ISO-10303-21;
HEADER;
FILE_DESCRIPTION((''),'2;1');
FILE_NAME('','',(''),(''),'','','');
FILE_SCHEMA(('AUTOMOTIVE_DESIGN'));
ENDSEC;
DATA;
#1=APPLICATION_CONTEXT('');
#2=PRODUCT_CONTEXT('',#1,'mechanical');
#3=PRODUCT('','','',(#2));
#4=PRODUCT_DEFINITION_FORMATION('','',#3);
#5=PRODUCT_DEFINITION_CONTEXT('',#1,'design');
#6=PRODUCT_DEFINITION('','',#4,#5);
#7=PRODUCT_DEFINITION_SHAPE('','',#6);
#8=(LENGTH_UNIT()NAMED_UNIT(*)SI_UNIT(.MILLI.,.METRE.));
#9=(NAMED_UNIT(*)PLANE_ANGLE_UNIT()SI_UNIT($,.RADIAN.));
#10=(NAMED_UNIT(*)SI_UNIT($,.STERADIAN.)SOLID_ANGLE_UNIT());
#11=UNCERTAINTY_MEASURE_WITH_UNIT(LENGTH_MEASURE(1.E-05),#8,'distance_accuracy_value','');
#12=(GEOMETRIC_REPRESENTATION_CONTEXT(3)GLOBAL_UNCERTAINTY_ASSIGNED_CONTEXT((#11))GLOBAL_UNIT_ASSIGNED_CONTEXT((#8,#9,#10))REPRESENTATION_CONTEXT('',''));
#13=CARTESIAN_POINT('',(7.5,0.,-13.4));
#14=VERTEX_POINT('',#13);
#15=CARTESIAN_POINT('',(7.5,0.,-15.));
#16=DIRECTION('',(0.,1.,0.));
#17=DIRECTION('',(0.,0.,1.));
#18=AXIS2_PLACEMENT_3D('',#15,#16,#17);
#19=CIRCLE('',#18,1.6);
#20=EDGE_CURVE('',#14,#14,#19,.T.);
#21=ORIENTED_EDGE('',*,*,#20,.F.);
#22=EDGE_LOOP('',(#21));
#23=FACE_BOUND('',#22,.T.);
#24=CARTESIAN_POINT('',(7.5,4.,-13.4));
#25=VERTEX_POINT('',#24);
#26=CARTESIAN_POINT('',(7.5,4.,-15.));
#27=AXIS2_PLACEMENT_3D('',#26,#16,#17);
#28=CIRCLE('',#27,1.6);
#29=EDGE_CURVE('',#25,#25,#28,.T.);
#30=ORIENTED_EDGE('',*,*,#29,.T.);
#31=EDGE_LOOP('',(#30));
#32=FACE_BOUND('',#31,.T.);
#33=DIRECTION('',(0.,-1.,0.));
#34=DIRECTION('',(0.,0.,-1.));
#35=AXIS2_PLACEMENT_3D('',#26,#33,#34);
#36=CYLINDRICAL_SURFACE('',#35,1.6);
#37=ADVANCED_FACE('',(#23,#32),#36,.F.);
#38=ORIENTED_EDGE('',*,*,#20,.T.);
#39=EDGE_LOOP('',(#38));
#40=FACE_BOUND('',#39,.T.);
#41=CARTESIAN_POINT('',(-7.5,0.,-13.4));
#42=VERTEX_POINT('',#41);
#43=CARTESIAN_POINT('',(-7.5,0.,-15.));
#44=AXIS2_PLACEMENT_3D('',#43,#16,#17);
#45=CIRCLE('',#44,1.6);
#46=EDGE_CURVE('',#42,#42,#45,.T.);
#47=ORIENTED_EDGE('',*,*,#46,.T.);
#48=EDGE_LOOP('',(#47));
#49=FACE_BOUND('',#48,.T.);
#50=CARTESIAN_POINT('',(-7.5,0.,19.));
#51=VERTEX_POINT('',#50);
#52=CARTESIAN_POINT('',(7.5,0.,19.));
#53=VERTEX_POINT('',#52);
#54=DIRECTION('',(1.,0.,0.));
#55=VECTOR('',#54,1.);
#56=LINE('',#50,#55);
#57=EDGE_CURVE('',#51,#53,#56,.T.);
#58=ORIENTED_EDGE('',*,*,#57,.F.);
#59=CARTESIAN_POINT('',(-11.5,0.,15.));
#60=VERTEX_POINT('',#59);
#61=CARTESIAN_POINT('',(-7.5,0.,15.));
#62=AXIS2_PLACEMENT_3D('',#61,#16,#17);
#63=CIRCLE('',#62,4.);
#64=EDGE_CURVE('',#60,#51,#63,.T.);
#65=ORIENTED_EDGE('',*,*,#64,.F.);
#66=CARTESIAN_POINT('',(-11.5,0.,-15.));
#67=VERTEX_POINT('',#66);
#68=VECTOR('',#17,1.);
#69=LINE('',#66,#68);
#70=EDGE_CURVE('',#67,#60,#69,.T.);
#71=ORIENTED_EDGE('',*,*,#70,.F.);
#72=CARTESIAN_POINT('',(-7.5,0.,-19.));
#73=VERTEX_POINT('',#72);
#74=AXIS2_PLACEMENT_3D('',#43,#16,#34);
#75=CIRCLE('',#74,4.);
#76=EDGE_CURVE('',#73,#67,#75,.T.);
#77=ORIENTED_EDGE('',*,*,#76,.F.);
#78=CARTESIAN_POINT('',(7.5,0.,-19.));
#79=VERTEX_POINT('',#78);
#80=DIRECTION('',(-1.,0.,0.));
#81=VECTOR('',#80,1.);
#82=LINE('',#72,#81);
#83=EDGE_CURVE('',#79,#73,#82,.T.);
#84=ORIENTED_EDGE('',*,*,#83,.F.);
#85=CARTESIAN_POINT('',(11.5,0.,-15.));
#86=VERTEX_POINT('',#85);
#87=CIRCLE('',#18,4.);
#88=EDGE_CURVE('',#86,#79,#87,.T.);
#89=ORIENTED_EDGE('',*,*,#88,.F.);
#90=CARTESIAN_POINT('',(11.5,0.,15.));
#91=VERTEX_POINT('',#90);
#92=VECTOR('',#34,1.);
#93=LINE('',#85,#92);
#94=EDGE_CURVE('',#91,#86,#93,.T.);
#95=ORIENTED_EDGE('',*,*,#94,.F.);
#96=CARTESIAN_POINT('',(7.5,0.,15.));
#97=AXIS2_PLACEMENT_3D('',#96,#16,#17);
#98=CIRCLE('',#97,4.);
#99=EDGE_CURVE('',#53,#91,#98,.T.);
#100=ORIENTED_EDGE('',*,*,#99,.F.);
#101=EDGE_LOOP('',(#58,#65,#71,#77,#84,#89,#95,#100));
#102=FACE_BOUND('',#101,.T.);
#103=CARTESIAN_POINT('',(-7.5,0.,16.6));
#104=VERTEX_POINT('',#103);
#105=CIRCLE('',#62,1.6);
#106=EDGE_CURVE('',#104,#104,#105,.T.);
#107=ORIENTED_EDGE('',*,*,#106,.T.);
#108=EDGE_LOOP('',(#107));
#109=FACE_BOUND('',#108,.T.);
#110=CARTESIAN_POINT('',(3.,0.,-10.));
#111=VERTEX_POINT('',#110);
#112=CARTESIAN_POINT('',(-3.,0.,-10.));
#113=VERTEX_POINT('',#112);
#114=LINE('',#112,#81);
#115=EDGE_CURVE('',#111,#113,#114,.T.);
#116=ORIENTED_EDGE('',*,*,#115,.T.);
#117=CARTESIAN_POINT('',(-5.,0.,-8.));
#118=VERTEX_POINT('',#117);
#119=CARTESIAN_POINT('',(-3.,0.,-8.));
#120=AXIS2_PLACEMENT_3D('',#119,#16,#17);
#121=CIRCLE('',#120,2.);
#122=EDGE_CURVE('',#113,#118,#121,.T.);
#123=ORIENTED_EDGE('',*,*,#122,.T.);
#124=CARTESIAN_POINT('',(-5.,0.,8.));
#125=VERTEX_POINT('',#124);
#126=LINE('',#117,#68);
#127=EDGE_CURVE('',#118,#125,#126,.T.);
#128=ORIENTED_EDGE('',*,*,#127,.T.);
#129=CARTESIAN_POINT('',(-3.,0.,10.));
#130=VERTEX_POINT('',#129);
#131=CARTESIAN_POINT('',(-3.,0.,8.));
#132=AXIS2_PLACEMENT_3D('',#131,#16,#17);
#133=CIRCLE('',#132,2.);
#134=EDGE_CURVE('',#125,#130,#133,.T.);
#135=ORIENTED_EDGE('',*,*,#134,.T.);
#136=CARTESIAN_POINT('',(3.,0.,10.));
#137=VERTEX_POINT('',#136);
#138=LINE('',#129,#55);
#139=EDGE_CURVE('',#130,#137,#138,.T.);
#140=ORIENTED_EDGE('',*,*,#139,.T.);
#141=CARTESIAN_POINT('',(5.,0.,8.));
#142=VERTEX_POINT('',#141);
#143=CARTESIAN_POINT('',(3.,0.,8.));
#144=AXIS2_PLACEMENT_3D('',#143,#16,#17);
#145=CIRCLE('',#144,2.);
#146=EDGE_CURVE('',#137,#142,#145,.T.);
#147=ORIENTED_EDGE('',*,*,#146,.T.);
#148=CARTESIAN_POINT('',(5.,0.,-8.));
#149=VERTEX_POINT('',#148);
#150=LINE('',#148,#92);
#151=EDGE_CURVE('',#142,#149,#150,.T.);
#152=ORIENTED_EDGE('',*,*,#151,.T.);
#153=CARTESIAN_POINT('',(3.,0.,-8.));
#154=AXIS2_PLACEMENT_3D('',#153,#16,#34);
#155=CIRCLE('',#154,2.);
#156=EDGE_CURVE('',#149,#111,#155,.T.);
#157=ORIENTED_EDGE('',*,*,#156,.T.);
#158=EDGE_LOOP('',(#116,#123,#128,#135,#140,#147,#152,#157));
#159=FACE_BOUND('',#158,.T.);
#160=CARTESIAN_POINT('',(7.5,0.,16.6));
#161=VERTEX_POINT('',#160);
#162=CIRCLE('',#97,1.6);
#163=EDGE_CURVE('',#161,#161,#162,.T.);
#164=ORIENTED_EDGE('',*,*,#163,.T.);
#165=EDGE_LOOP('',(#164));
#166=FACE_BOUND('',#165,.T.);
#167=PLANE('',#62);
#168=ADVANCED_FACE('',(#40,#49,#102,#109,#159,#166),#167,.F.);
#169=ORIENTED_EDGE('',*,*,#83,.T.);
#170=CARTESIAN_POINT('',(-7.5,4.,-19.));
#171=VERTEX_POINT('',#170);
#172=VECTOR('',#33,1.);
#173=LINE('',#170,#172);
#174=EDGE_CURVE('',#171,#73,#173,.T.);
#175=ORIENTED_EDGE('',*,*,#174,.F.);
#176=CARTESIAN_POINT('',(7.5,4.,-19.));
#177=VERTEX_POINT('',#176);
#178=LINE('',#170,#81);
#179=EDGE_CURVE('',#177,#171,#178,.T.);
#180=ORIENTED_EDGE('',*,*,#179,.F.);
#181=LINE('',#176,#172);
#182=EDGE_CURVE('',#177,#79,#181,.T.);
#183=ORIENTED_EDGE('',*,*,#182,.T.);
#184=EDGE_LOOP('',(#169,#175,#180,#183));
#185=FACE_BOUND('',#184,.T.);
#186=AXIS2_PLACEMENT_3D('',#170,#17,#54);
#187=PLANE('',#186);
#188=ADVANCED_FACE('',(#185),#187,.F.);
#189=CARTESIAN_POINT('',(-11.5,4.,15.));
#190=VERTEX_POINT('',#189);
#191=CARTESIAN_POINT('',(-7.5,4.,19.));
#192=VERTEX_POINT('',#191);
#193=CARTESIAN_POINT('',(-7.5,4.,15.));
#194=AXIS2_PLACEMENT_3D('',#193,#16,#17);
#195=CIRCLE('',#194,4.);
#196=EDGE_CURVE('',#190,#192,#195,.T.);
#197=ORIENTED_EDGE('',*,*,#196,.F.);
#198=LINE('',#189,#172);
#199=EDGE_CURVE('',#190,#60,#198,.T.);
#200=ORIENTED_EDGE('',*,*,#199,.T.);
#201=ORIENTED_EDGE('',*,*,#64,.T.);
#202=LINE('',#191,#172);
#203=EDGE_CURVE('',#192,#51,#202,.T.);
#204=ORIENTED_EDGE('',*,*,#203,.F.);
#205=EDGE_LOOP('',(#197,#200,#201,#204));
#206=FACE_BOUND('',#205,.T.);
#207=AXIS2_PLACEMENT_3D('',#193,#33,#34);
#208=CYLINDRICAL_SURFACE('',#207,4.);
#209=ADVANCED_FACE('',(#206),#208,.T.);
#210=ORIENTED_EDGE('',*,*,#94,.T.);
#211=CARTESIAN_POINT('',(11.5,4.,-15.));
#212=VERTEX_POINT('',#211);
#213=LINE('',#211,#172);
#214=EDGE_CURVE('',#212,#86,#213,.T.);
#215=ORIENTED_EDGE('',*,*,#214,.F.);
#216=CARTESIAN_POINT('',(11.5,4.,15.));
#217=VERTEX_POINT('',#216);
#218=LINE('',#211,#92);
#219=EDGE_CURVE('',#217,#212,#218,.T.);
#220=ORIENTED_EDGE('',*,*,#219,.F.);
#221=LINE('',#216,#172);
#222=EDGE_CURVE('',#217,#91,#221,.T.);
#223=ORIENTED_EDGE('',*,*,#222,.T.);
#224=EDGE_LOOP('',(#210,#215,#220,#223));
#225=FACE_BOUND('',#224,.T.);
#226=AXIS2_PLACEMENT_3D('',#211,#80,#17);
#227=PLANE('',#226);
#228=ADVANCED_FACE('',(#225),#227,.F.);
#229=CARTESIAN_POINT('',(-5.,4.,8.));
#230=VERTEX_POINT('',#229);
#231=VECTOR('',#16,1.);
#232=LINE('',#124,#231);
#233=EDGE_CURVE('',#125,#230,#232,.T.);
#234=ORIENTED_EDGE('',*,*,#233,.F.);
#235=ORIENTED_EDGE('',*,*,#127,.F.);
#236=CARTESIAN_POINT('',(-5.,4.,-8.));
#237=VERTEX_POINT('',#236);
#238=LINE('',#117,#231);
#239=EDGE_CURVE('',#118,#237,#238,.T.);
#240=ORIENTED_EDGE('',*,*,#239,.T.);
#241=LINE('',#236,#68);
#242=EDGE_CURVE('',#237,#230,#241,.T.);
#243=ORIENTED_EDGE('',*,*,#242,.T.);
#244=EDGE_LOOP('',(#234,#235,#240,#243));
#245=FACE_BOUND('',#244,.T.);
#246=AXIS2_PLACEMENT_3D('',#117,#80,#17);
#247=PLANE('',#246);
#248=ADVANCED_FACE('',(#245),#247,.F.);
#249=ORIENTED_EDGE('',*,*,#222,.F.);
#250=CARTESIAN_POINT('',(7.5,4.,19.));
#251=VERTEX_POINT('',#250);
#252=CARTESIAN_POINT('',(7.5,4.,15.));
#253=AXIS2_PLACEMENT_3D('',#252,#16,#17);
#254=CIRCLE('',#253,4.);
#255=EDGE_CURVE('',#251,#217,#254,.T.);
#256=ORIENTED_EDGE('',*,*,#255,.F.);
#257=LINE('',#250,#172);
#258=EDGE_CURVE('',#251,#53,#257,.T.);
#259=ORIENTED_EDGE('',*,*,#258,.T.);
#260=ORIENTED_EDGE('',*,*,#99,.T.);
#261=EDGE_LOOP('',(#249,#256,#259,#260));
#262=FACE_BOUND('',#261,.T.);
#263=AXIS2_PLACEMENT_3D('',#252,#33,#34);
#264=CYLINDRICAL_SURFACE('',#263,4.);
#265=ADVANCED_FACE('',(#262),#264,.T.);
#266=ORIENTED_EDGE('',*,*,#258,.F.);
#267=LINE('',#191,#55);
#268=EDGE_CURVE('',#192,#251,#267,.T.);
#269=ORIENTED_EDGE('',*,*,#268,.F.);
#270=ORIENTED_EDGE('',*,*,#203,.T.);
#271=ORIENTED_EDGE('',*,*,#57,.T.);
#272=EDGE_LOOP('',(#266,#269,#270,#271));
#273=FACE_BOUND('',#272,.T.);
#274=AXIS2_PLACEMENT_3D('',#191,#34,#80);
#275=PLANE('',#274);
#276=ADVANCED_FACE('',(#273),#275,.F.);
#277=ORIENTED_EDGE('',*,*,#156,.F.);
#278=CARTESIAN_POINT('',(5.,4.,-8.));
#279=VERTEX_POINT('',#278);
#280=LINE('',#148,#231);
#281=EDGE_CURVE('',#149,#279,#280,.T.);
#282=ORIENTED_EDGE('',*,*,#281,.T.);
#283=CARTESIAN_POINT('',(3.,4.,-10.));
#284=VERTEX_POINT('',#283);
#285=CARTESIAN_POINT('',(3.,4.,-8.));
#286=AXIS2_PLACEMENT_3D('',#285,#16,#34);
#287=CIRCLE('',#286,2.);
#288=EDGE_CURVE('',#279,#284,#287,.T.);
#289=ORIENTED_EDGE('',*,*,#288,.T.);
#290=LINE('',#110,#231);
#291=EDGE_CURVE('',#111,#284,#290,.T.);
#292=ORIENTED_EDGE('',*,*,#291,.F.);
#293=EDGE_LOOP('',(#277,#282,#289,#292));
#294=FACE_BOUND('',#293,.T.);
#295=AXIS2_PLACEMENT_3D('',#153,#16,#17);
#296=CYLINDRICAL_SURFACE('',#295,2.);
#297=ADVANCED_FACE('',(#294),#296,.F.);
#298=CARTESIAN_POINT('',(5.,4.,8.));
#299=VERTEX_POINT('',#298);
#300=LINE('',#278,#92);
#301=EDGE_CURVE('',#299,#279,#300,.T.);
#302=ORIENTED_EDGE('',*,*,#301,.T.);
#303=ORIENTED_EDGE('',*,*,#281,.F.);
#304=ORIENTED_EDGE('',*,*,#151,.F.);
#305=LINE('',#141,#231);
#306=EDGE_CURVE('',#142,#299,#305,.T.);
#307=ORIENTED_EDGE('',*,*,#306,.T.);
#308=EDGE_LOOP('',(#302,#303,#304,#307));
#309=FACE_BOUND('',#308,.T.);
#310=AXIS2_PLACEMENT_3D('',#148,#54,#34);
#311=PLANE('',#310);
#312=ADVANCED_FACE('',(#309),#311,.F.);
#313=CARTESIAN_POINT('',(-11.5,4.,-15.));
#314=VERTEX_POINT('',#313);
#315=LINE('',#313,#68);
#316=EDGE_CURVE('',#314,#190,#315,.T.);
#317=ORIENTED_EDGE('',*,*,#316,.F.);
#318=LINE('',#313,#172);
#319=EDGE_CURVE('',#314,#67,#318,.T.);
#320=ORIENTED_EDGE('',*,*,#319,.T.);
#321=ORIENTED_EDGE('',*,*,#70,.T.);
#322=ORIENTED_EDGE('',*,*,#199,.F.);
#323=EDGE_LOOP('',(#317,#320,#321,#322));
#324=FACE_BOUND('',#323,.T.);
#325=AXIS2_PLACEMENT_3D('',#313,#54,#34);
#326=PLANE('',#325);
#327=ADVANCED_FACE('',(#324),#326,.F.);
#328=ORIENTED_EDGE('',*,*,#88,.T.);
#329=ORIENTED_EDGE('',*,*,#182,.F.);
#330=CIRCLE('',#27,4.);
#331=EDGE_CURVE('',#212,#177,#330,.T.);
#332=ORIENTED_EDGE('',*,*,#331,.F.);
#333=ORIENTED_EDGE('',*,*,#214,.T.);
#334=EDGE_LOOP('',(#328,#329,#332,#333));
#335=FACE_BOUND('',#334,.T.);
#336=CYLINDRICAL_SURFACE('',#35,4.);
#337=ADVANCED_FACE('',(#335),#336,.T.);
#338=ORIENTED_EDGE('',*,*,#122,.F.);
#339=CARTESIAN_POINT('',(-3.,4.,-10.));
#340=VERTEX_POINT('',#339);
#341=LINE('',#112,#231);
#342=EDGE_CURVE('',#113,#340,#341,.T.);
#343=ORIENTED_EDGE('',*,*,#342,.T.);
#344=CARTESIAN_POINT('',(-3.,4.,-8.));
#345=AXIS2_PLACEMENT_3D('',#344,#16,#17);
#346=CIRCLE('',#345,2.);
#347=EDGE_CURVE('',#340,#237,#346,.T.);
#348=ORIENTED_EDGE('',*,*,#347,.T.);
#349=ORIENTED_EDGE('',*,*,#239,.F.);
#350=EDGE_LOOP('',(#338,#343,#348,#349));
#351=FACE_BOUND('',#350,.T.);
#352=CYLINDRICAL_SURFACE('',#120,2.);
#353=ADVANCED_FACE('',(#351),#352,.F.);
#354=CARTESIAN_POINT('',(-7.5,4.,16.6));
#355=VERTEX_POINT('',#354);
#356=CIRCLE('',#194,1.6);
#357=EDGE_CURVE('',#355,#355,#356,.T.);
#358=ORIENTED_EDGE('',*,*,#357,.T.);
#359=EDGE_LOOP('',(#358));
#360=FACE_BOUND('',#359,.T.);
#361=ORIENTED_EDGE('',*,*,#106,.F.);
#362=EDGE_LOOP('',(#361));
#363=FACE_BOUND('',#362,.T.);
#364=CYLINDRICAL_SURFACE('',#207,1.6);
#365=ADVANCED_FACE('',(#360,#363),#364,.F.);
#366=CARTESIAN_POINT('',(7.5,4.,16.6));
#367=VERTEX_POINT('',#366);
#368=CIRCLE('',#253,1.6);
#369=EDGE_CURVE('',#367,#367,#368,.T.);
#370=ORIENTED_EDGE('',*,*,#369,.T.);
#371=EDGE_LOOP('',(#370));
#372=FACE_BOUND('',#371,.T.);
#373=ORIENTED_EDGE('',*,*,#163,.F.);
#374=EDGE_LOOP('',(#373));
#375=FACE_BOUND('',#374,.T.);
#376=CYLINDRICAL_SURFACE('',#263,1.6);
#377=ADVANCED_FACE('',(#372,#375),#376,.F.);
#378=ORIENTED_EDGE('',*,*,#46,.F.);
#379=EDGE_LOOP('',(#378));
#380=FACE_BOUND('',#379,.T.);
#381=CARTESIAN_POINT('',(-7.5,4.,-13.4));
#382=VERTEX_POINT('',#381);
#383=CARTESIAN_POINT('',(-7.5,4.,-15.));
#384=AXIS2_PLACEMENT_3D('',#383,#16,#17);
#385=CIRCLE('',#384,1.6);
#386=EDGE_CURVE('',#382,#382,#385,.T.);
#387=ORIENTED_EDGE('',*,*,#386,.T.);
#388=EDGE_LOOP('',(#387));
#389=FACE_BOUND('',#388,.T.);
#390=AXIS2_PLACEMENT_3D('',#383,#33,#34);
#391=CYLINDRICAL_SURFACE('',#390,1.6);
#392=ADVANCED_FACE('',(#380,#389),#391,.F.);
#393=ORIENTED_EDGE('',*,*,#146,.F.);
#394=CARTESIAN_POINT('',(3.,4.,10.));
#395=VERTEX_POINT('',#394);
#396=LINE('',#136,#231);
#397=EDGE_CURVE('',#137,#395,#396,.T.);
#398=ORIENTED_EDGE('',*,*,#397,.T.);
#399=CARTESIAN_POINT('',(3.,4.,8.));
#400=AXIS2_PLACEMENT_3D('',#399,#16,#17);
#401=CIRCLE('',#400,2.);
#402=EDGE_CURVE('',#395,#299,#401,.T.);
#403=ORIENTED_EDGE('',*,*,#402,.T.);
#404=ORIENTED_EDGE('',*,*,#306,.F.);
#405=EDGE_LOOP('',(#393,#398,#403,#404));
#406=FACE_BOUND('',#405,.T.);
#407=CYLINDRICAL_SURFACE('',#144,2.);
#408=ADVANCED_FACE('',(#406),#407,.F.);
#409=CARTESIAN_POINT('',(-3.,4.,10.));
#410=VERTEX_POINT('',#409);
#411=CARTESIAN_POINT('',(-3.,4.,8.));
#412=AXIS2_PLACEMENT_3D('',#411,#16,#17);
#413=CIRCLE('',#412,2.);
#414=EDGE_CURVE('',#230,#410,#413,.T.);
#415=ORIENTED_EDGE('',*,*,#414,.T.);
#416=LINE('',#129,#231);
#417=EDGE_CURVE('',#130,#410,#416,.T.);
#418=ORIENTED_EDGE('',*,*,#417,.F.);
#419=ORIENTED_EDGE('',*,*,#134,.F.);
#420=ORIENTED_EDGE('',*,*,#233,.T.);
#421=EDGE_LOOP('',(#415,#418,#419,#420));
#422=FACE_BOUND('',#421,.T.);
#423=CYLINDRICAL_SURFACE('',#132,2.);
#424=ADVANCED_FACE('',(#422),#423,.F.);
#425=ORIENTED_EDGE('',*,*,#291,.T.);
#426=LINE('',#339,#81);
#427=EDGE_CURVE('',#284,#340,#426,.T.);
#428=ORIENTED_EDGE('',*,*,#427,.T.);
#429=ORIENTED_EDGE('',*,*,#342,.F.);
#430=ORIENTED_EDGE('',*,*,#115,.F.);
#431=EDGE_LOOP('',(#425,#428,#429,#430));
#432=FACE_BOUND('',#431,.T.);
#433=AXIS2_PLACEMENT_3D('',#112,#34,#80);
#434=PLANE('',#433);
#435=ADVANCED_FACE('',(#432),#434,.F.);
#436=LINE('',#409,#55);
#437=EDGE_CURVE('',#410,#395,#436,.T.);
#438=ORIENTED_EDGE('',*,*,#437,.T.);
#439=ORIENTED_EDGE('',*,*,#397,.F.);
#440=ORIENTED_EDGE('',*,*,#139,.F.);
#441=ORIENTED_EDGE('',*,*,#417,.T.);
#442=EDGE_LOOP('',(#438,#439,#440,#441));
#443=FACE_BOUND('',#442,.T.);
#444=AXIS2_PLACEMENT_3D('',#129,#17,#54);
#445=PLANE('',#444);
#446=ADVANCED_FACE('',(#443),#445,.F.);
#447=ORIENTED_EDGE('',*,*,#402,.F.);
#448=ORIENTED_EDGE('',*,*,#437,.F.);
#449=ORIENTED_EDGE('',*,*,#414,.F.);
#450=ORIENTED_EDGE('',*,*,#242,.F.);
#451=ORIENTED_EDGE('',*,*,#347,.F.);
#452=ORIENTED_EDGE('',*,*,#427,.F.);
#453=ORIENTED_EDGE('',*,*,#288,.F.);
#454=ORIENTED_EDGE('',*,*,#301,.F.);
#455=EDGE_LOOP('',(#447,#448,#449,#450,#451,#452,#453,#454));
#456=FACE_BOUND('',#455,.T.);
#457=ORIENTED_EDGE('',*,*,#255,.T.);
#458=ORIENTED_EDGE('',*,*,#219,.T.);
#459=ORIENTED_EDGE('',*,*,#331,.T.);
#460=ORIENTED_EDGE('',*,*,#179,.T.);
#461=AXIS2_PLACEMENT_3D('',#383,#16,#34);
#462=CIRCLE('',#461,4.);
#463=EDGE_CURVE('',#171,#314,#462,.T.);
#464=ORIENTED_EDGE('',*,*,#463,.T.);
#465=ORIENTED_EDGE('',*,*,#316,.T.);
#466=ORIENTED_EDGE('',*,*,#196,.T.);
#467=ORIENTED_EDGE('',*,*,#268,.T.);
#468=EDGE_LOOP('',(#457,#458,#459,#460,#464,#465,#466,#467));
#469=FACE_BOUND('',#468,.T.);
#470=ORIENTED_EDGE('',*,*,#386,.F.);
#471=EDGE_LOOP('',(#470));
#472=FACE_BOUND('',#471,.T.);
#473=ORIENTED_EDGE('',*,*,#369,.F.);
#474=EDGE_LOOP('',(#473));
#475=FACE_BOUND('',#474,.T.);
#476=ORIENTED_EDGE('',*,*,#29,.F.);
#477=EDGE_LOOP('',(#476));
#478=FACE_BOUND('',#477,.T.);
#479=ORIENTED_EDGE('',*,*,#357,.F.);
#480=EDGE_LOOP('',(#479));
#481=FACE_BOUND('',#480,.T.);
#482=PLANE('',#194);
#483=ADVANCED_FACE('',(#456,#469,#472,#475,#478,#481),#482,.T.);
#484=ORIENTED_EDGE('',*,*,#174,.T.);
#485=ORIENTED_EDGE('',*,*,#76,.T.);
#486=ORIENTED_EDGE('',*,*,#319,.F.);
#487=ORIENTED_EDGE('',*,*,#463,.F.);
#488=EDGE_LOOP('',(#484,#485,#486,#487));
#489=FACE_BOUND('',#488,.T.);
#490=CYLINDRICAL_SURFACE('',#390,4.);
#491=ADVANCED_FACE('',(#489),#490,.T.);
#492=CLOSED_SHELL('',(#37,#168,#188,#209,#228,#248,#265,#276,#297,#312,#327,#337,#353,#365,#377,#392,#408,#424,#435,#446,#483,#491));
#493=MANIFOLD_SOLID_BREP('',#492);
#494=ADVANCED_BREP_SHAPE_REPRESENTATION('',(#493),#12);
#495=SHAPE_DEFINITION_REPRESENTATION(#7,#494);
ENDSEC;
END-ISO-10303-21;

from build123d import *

# Parameters (mm, degrees)
SKETCH1_R           = 1.6
BOSS_EXTRUDE1_DEPTH = 4
CUT_EXTRUDE1_DEPTH  = 23.566568193


with BuildPart() as part:
    # Sketch1 → Boss-Extrude1 (new body)
    with BuildSketch(Plane(origin=(0, 0, 0), x_dir=(1, 0, 0), z_dir=(0, 1, 0))):
        with BuildLine():
            Line((-11.5, 15), (-11.5, -15))
            ThreePointArc((-11.5, -15), (-10.328427125, -17.828427125), (-7.5, -19))
            Line((-7.5, -19), (7.5, -19))
            ThreePointArc((7.5, -19), (10.328427125, -17.828427125), (11.5, -15))
            Line((11.5, -15), (11.5, 15))
            ThreePointArc((11.5, 15), (10.328427125, 17.828427125), (7.5, 19))
            Line((7.5, 19), (-7.5, 19))
            ThreePointArc((-7.5, 19), (-10.328427125, 17.828427125), (-11.5, 15))
        make_face()
        with Locations(Location((-7.5, 15, 0), (0, 0, 270))):
            Circle(SKETCH1_R, mode=Mode.SUBTRACT)
        with Locations(Location((7.5, 15, 0), (0, 0, 270))):
            Circle(SKETCH1_R, mode=Mode.SUBTRACT)
        with Locations(Location((-7.5, -15, 0), (0, 0, 270))):
            Circle(SKETCH1_R, mode=Mode.SUBTRACT)
        with Locations(Location((7.5, -15, 0), (0, 0, 270))):
            Circle(SKETCH1_R, mode=Mode.SUBTRACT)
    extrude(amount=BOSS_EXTRUDE1_DEPTH)

    # Sketch2 → Cut-Extrude1 (cut, through all)
    with BuildSketch(Plane(origin=(0, 4, 0), x_dir=(1, 0, 0), z_dir=(0, 1, 0))):
        with BuildLine():
            Line((-3, 10), (3, 10))
            ThreePointArc((3, 10), (4.414213562, 9.414213562), (5, 8))
            Line((5, 8), (5, -8))
            ThreePointArc((5, -8), (4.414213562, -9.414213562), (3, -10))
            Line((3, -10), (-3, -10))
            ThreePointArc((-3, -10), (-4.414213562, -9.414213562), (-5, -8))
            Line((-5, -8), (-5, 8))
            ThreePointArc((-5, 8), (-4.414213562, 9.414213562), (-3, 10))
        make_face()
    extrude(amount=-CUT_EXTRUDE1_DEPTH, mode=Mode.SUBTRACT)


solid = part.part
